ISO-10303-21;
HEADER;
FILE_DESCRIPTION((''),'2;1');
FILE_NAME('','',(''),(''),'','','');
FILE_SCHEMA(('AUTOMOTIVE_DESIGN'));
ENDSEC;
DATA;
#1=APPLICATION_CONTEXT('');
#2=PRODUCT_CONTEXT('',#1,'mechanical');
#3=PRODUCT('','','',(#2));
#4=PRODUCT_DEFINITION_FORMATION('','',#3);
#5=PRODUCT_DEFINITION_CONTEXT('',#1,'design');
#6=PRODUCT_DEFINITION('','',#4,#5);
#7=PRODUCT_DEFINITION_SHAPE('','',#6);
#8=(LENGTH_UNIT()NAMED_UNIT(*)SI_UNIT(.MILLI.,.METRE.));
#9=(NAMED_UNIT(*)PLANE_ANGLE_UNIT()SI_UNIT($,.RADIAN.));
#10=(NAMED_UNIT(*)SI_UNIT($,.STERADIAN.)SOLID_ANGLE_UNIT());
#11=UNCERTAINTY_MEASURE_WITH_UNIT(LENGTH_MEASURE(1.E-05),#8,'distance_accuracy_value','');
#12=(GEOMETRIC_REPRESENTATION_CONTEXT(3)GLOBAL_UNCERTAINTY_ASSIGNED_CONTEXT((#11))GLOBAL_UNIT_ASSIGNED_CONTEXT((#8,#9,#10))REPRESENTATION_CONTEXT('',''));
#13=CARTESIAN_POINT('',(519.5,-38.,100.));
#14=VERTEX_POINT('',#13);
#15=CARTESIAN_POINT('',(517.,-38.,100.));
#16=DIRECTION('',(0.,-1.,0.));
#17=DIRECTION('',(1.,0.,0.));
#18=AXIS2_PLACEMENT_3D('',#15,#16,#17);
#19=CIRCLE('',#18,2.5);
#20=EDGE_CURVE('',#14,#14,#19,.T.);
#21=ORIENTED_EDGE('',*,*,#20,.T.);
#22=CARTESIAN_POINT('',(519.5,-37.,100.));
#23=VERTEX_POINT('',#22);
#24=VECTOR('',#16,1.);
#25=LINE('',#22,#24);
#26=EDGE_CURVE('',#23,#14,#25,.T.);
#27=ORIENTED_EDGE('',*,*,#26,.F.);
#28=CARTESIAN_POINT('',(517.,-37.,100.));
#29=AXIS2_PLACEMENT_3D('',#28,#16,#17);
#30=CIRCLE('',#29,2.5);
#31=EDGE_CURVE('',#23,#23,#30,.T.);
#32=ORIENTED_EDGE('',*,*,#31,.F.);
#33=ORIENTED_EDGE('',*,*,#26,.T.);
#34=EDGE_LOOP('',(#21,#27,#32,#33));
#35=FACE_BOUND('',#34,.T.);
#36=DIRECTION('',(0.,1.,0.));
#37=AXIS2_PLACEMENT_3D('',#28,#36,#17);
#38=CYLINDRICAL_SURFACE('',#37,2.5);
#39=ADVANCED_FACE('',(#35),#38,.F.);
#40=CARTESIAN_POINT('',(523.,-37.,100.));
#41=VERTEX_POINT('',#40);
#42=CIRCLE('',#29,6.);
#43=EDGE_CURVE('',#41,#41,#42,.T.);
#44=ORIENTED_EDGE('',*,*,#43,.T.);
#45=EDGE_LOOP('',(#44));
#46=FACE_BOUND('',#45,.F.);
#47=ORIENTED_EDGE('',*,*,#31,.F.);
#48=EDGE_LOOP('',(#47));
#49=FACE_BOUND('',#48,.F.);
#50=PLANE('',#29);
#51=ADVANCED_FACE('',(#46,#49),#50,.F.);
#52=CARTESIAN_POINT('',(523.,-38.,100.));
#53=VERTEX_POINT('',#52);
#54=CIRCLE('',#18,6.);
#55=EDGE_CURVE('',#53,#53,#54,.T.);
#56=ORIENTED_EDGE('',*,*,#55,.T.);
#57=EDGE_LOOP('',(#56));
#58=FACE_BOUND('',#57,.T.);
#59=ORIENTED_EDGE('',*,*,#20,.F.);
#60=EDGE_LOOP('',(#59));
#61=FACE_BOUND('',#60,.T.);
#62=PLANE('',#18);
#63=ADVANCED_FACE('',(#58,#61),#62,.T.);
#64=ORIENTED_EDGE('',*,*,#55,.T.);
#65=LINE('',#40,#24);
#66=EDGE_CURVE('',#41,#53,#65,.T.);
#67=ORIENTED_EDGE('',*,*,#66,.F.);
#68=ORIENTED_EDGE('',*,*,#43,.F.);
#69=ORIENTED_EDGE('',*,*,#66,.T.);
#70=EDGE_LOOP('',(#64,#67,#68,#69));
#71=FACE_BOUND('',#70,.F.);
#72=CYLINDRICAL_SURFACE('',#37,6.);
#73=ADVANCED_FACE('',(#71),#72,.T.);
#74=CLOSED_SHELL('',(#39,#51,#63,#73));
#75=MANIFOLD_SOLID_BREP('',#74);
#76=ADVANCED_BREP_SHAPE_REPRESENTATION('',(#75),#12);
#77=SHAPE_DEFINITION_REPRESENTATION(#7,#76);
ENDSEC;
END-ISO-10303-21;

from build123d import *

# Parameters (mm, degrees)
CYLINDER057_R          = 2.5
CYLINDER057_DEPTH      = 1
CYLINDER057_ROLL_ANGLE = 90
CYLINDER055_R          = 6
CYLINDER055_DEPTH      = 1
CYLINDER055_ROLL_ANGLE = 90


with BuildPart() as cylinder057:
    # Cylinder057 → Cylinder057 (new body)
    with BuildSketch(Plane.XY):
        Circle(CYLINDER057_R)
    extrude(amount=CYLINDER057_DEPTH)


with BuildPart() as cylinder057_1:
    # Cylinder057 roll: moved
    add(cylinder057.part.rotate(Axis((0, 0, 0), (1, 0, 0)), CYLINDER057_ROLL_ANGLE))


with BuildPart() as cylinder057_2:
    # Cylinder057 placement: moved
    add(cylinder057_1.part.moved(Location((518, -37, 100))))


with BuildPart() as kipper_closure_spacer_metal:
    # Cylinder055 → Cylinder055 (new body)
    with BuildSketch(Plane.XY):
        Circle(CYLINDER055_R)
    extrude(amount=CYLINDER055_DEPTH)


with BuildPart() as kipper_closure_spacer_metal_1:
    # Cylinder055 roll: moved
    add(kipper_closure_spacer_metal.part.rotate(Axis((0, 0, 0), (1, 0, 0)), CYLINDER055_ROLL_ANGLE))


with BuildPart() as kipper_closure_spacer_metal_2:
    # Cylinder055 placement: moved
    add(kipper_closure_spacer_metal_1.part.moved(Location((518, -37, 100))))

    # Cut055: cut Cylinder057
    add(cylinder057_2.part, mode=Mode.SUBTRACT)


with BuildPart() as kipper_closure_spacer_metal_3:
    # Cut055 placement: moved
    add(kipper_closure_spacer_metal_2.part.moved(Location((-1, 0, 0))))


solid = kipper_closure_spacer_metal_3.part
